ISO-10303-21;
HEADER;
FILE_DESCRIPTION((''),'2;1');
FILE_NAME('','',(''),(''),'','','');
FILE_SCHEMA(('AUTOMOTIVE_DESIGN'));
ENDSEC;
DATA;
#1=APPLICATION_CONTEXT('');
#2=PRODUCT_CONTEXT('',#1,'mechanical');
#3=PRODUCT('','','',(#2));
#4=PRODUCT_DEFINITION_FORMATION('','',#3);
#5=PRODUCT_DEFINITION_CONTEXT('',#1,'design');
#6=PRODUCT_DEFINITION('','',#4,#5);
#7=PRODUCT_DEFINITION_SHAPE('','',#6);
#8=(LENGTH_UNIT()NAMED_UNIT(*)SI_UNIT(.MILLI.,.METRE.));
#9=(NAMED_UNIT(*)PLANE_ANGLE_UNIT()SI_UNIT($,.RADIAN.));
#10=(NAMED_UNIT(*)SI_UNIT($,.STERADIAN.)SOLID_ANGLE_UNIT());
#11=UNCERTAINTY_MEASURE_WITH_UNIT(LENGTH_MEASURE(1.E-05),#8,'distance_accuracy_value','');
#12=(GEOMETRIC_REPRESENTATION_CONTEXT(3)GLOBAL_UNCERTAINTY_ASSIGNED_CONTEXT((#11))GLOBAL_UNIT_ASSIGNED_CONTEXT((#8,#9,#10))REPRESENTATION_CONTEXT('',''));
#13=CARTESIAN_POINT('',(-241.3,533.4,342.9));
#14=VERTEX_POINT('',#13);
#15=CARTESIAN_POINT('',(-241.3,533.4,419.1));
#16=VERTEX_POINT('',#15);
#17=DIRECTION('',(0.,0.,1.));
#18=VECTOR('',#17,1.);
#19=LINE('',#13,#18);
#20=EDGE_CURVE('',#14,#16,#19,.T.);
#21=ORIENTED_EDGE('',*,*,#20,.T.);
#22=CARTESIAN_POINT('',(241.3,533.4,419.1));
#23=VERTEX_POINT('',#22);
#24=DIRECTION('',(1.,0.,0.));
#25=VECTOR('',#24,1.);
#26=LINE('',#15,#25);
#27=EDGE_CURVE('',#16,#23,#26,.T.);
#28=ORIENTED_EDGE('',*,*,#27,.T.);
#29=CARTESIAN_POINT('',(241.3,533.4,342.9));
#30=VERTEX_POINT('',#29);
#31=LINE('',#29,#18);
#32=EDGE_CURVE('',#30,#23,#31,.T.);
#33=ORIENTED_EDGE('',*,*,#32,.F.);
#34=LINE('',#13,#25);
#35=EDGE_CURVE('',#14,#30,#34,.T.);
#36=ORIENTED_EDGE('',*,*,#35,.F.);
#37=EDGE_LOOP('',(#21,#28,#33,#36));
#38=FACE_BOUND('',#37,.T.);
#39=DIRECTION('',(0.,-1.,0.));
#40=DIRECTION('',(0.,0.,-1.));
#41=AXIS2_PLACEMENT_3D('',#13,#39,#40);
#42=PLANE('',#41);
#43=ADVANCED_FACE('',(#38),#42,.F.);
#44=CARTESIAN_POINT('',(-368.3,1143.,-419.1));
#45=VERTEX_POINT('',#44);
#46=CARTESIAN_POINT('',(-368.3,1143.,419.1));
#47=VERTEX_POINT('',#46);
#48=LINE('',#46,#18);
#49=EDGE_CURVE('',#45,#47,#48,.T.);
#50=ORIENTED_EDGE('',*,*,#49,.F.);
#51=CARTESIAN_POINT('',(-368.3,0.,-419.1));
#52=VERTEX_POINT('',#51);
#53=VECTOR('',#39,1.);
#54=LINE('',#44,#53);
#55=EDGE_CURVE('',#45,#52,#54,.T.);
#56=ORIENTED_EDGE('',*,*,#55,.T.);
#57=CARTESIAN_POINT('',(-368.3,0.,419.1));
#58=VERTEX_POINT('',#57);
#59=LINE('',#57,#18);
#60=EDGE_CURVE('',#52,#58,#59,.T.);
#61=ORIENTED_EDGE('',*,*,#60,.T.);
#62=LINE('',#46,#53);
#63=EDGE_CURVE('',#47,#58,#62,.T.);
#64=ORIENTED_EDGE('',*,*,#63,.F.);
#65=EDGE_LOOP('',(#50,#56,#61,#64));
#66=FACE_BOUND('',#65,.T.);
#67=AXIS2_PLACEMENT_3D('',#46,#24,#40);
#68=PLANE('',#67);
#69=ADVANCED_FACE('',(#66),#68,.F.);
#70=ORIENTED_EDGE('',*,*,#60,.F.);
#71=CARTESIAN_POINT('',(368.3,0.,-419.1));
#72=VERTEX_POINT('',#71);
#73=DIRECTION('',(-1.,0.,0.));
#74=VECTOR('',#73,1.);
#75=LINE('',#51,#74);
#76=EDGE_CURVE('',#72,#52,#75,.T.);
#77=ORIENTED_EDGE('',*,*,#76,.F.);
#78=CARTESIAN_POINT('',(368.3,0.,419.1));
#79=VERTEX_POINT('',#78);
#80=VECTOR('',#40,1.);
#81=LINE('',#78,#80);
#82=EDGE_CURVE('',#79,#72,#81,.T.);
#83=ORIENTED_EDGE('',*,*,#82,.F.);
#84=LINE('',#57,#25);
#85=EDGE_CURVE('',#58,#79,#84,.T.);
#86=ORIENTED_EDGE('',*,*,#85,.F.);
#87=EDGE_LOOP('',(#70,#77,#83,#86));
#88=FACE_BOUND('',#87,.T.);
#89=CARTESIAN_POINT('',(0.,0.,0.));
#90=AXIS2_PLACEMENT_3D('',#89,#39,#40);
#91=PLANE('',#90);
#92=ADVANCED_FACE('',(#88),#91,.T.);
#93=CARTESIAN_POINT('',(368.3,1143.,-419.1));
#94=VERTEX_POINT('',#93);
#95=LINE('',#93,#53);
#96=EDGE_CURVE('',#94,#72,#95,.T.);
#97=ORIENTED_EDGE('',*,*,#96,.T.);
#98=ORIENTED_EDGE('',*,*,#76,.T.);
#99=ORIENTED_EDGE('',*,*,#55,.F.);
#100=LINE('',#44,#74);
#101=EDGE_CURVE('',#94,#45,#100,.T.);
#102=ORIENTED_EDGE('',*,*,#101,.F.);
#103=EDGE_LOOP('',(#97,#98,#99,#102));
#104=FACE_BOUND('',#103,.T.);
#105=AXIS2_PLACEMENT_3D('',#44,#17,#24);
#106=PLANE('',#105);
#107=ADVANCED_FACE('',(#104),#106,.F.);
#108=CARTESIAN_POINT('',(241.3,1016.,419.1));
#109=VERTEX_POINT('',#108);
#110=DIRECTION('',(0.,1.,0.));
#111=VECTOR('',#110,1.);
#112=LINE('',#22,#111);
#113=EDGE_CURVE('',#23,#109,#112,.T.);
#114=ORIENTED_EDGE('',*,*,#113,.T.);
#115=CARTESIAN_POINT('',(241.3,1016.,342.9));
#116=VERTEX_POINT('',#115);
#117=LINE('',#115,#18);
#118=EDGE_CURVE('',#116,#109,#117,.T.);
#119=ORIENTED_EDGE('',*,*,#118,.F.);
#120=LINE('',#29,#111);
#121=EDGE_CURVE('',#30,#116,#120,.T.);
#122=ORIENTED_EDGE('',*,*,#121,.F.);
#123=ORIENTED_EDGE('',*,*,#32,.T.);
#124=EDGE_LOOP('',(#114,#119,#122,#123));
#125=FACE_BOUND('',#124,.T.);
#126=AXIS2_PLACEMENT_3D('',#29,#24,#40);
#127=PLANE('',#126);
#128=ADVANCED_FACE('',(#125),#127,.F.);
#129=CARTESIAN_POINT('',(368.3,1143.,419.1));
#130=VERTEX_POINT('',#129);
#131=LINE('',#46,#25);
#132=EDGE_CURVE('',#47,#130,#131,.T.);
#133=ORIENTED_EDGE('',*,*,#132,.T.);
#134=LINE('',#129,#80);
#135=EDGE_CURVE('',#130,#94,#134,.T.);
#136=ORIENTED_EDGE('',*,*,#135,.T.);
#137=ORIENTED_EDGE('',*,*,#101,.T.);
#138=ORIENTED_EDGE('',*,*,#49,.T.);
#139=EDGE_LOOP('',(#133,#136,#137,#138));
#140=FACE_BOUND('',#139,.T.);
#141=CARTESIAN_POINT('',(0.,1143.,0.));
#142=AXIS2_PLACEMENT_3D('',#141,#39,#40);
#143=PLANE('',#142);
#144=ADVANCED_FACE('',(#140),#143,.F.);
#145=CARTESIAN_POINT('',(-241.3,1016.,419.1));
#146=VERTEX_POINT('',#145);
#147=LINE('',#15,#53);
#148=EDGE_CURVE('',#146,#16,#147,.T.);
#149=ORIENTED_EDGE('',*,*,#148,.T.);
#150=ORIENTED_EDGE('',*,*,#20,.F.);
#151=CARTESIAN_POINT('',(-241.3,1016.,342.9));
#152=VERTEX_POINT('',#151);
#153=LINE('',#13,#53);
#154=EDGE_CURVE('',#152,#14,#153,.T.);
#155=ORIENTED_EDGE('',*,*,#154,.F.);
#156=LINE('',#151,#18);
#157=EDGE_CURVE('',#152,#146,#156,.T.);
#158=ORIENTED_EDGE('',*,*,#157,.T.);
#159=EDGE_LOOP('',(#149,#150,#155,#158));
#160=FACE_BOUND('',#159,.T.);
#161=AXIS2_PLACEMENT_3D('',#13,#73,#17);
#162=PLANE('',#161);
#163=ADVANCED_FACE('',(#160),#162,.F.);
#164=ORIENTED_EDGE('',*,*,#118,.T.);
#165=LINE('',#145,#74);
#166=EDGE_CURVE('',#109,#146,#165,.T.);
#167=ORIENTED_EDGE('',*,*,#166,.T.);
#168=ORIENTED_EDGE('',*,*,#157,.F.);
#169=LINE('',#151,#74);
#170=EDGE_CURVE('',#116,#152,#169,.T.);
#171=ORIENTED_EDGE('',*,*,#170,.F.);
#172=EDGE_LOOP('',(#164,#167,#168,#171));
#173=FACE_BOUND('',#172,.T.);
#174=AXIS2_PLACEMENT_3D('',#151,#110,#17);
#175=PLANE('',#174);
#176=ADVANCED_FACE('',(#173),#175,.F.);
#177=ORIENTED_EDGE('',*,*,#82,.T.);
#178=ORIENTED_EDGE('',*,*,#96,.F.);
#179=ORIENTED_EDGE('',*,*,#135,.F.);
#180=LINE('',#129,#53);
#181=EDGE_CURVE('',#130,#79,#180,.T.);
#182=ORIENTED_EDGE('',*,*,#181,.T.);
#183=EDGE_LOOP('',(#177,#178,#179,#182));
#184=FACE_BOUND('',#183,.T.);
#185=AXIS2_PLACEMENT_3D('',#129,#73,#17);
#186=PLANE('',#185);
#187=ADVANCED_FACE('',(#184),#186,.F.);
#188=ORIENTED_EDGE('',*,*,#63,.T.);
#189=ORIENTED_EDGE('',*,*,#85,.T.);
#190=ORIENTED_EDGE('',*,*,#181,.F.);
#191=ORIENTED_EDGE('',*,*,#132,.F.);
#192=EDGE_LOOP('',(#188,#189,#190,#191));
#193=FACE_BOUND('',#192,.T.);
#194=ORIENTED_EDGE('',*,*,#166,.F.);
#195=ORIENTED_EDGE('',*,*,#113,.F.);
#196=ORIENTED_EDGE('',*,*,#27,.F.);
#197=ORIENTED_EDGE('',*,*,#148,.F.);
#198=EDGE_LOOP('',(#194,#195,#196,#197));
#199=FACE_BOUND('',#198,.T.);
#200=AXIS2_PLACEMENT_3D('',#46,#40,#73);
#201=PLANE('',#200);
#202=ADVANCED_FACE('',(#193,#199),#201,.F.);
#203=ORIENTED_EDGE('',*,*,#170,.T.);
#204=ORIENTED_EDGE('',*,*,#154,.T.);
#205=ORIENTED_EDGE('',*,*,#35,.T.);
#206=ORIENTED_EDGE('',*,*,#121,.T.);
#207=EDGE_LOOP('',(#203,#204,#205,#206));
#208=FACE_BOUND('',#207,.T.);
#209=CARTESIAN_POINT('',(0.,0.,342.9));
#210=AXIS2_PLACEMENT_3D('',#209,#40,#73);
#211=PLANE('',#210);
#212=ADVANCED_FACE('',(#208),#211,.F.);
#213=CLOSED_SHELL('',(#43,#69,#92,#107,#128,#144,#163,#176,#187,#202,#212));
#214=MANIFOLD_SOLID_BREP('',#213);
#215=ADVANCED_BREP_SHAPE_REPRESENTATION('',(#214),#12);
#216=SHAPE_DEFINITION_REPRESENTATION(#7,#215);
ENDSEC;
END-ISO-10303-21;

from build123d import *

# Parameters (mm, degrees)
SKETCH1_W           = 736.6
SKETCH1_H           = 838.2
BOSS_EXTRUDE1_DEPTH = 1143
SKETCH3_W           = 482.6
SKETCH3_H           = 482.6
CUT_EXTRUDE1_DEPTH  = 76.2


with BuildPart() as part:
    # Sketch1 → Boss-Extrude1 (new body)
    with BuildSketch(Plane(origin=(0, 0, 0), x_dir=(1, 0, 0), z_dir=(0, 1, 0))):
        Rectangle(SKETCH1_W, SKETCH1_H)
    extrude(amount=BOSS_EXTRUDE1_DEPTH)

    # Sketch3 → Cut-Extrude1 (cut)
    with BuildSketch(Plane.XY.offset(419.1)):
        with Locations((0, 774.7)):
            Rectangle(SKETCH3_W, SKETCH3_H)
    extrude(amount=-CUT_EXTRUDE1_DEPTH, mode=Mode.SUBTRACT)


solid = part.part
